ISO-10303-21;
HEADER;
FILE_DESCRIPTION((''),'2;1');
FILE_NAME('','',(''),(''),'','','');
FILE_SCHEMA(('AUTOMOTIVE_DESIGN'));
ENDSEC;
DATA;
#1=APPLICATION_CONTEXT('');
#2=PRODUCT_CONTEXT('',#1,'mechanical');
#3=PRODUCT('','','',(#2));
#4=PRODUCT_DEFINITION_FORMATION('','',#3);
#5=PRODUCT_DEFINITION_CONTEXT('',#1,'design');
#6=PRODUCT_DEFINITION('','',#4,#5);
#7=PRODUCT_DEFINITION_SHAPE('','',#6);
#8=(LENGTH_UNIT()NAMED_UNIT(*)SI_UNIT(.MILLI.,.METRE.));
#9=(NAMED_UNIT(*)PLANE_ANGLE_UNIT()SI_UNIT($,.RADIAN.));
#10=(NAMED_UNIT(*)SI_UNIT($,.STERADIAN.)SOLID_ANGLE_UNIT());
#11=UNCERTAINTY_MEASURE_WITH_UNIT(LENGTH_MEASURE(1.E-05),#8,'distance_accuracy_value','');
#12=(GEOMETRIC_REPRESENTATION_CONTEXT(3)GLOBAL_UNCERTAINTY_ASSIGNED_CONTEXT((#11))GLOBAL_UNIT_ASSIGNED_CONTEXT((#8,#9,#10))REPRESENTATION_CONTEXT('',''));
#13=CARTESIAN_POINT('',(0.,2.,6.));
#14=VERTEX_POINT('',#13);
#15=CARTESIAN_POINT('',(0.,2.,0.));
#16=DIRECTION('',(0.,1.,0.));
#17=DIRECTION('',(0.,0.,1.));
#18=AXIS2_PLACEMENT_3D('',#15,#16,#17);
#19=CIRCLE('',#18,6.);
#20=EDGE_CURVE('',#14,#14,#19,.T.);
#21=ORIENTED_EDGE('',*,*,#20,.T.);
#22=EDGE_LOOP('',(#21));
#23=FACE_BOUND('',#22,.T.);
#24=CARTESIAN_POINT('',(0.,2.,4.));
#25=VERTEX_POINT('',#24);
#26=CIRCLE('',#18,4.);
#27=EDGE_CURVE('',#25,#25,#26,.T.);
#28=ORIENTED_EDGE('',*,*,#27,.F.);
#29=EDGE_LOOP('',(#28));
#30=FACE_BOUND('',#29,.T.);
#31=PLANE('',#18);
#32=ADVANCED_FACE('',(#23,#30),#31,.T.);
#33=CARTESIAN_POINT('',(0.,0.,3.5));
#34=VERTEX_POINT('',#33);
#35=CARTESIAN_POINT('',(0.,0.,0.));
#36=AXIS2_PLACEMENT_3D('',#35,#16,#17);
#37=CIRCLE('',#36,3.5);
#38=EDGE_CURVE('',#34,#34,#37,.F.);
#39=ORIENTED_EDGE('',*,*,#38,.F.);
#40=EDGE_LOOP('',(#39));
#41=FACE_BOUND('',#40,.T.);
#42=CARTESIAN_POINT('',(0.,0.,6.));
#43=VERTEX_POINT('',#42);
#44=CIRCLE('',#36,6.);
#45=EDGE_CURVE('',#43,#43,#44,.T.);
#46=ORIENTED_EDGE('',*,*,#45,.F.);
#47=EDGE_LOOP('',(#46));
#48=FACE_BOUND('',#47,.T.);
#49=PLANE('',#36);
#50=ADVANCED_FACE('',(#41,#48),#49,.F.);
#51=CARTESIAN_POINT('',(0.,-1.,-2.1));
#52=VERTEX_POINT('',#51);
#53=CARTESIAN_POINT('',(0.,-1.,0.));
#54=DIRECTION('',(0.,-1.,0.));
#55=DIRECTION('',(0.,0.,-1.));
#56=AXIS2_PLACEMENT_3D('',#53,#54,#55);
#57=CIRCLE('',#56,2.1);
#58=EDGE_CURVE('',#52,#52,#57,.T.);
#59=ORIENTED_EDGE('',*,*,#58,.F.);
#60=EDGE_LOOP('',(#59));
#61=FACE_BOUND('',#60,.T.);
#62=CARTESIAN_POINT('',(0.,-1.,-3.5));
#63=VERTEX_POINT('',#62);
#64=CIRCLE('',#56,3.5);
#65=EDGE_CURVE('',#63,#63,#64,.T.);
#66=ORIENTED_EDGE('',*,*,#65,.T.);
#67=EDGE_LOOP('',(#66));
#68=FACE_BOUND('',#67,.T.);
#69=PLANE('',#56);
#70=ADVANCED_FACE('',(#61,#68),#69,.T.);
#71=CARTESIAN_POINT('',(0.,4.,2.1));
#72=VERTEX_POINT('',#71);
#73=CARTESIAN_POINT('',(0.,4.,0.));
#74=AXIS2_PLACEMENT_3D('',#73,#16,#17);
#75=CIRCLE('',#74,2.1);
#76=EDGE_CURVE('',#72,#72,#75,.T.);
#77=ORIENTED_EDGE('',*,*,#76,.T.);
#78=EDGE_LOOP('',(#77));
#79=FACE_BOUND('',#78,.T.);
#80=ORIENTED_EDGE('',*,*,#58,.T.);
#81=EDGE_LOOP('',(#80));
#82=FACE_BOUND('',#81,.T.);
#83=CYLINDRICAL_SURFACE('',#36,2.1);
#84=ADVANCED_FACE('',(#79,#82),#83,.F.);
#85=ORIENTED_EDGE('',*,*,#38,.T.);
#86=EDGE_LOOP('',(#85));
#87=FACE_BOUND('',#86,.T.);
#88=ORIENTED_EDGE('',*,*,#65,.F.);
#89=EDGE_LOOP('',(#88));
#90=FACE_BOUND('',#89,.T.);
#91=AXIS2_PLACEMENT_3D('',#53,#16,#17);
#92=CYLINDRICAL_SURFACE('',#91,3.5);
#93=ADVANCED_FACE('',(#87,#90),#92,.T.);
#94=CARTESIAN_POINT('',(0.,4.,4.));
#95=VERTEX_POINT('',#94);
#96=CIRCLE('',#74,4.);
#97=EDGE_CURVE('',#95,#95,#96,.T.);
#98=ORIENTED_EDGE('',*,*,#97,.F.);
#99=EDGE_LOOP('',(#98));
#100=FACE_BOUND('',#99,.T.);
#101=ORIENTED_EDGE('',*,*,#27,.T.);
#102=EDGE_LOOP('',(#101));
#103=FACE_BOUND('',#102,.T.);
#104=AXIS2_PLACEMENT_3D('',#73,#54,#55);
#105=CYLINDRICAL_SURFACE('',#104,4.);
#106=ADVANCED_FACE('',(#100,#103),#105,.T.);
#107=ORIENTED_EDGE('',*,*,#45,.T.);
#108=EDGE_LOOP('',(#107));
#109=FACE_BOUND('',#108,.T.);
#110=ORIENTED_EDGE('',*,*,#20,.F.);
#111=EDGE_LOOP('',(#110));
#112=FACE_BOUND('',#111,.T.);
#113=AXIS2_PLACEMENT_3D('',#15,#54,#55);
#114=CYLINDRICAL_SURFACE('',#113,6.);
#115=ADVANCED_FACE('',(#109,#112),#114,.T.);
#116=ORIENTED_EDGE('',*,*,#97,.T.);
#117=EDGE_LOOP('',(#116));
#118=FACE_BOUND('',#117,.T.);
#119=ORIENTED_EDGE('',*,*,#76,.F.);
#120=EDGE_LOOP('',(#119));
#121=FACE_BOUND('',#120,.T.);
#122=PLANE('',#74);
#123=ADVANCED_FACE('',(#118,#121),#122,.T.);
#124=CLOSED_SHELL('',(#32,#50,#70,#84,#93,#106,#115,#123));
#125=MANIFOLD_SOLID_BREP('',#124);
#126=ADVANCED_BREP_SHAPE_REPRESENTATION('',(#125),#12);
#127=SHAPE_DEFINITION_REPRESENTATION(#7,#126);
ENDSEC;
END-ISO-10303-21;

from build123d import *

# Parameters (mm, degrees)
SKETCH1_R               = 6
BOSS_EXTRUDE1_DEPTH     = 2
SKETCH2_R               = 4
BOSS_EXTRUDE2_DEPTH     = 2
SKETCH3_R               = 2.1
CUT_EXTRUDE1_DEPTH      = 1
CUT_EXTRUDE1_DEPTH_BACK = 5
SKETCH4_R               = 3.5
SKETCH4_R_2             = 2.1
BOSS_EXTRUDE3_DEPTH     = 1


with BuildPart() as part:
    # Sketch1 → Boss-Extrude1 (new body)
    with BuildSketch(Plane(origin=(0, 0, 0), x_dir=(1, 0, 0), z_dir=(0, 1, 0))):
        Circle(SKETCH1_R)
    extrude(amount=BOSS_EXTRUDE1_DEPTH)

    # Sketch2 → Boss-Extrude2 (add)
    with BuildSketch(Plane(origin=(0, 2, 0), x_dir=(1, 0, 0), z_dir=(0, 1, 0))):
        Circle(SKETCH2_R)
    extrude(amount=BOSS_EXTRUDE2_DEPTH)

    # Sketch3 → Cut-Extrude1 (cut, two sides)
    with BuildSketch(Plane(origin=(0, 4, 0), x_dir=(1, 0, 0), z_dir=(0, 1, 0))) as cut_extrude1_sk:
        Circle(SKETCH3_R)
    extrude(amount=CUT_EXTRUDE1_DEPTH, mode=Mode.SUBTRACT)
    extrude(cut_extrude1_sk.sketch, amount=-CUT_EXTRUDE1_DEPTH_BACK, mode=Mode.SUBTRACT)

    # Sketch4 → Boss-Extrude3 (add)
    with BuildSketch(Plane.XZ):
        Circle(SKETCH4_R)
        Circle(SKETCH4_R_2, mode=Mode.SUBTRACT)
    extrude(amount=BOSS_EXTRUDE3_DEPTH)


solid = part.part
